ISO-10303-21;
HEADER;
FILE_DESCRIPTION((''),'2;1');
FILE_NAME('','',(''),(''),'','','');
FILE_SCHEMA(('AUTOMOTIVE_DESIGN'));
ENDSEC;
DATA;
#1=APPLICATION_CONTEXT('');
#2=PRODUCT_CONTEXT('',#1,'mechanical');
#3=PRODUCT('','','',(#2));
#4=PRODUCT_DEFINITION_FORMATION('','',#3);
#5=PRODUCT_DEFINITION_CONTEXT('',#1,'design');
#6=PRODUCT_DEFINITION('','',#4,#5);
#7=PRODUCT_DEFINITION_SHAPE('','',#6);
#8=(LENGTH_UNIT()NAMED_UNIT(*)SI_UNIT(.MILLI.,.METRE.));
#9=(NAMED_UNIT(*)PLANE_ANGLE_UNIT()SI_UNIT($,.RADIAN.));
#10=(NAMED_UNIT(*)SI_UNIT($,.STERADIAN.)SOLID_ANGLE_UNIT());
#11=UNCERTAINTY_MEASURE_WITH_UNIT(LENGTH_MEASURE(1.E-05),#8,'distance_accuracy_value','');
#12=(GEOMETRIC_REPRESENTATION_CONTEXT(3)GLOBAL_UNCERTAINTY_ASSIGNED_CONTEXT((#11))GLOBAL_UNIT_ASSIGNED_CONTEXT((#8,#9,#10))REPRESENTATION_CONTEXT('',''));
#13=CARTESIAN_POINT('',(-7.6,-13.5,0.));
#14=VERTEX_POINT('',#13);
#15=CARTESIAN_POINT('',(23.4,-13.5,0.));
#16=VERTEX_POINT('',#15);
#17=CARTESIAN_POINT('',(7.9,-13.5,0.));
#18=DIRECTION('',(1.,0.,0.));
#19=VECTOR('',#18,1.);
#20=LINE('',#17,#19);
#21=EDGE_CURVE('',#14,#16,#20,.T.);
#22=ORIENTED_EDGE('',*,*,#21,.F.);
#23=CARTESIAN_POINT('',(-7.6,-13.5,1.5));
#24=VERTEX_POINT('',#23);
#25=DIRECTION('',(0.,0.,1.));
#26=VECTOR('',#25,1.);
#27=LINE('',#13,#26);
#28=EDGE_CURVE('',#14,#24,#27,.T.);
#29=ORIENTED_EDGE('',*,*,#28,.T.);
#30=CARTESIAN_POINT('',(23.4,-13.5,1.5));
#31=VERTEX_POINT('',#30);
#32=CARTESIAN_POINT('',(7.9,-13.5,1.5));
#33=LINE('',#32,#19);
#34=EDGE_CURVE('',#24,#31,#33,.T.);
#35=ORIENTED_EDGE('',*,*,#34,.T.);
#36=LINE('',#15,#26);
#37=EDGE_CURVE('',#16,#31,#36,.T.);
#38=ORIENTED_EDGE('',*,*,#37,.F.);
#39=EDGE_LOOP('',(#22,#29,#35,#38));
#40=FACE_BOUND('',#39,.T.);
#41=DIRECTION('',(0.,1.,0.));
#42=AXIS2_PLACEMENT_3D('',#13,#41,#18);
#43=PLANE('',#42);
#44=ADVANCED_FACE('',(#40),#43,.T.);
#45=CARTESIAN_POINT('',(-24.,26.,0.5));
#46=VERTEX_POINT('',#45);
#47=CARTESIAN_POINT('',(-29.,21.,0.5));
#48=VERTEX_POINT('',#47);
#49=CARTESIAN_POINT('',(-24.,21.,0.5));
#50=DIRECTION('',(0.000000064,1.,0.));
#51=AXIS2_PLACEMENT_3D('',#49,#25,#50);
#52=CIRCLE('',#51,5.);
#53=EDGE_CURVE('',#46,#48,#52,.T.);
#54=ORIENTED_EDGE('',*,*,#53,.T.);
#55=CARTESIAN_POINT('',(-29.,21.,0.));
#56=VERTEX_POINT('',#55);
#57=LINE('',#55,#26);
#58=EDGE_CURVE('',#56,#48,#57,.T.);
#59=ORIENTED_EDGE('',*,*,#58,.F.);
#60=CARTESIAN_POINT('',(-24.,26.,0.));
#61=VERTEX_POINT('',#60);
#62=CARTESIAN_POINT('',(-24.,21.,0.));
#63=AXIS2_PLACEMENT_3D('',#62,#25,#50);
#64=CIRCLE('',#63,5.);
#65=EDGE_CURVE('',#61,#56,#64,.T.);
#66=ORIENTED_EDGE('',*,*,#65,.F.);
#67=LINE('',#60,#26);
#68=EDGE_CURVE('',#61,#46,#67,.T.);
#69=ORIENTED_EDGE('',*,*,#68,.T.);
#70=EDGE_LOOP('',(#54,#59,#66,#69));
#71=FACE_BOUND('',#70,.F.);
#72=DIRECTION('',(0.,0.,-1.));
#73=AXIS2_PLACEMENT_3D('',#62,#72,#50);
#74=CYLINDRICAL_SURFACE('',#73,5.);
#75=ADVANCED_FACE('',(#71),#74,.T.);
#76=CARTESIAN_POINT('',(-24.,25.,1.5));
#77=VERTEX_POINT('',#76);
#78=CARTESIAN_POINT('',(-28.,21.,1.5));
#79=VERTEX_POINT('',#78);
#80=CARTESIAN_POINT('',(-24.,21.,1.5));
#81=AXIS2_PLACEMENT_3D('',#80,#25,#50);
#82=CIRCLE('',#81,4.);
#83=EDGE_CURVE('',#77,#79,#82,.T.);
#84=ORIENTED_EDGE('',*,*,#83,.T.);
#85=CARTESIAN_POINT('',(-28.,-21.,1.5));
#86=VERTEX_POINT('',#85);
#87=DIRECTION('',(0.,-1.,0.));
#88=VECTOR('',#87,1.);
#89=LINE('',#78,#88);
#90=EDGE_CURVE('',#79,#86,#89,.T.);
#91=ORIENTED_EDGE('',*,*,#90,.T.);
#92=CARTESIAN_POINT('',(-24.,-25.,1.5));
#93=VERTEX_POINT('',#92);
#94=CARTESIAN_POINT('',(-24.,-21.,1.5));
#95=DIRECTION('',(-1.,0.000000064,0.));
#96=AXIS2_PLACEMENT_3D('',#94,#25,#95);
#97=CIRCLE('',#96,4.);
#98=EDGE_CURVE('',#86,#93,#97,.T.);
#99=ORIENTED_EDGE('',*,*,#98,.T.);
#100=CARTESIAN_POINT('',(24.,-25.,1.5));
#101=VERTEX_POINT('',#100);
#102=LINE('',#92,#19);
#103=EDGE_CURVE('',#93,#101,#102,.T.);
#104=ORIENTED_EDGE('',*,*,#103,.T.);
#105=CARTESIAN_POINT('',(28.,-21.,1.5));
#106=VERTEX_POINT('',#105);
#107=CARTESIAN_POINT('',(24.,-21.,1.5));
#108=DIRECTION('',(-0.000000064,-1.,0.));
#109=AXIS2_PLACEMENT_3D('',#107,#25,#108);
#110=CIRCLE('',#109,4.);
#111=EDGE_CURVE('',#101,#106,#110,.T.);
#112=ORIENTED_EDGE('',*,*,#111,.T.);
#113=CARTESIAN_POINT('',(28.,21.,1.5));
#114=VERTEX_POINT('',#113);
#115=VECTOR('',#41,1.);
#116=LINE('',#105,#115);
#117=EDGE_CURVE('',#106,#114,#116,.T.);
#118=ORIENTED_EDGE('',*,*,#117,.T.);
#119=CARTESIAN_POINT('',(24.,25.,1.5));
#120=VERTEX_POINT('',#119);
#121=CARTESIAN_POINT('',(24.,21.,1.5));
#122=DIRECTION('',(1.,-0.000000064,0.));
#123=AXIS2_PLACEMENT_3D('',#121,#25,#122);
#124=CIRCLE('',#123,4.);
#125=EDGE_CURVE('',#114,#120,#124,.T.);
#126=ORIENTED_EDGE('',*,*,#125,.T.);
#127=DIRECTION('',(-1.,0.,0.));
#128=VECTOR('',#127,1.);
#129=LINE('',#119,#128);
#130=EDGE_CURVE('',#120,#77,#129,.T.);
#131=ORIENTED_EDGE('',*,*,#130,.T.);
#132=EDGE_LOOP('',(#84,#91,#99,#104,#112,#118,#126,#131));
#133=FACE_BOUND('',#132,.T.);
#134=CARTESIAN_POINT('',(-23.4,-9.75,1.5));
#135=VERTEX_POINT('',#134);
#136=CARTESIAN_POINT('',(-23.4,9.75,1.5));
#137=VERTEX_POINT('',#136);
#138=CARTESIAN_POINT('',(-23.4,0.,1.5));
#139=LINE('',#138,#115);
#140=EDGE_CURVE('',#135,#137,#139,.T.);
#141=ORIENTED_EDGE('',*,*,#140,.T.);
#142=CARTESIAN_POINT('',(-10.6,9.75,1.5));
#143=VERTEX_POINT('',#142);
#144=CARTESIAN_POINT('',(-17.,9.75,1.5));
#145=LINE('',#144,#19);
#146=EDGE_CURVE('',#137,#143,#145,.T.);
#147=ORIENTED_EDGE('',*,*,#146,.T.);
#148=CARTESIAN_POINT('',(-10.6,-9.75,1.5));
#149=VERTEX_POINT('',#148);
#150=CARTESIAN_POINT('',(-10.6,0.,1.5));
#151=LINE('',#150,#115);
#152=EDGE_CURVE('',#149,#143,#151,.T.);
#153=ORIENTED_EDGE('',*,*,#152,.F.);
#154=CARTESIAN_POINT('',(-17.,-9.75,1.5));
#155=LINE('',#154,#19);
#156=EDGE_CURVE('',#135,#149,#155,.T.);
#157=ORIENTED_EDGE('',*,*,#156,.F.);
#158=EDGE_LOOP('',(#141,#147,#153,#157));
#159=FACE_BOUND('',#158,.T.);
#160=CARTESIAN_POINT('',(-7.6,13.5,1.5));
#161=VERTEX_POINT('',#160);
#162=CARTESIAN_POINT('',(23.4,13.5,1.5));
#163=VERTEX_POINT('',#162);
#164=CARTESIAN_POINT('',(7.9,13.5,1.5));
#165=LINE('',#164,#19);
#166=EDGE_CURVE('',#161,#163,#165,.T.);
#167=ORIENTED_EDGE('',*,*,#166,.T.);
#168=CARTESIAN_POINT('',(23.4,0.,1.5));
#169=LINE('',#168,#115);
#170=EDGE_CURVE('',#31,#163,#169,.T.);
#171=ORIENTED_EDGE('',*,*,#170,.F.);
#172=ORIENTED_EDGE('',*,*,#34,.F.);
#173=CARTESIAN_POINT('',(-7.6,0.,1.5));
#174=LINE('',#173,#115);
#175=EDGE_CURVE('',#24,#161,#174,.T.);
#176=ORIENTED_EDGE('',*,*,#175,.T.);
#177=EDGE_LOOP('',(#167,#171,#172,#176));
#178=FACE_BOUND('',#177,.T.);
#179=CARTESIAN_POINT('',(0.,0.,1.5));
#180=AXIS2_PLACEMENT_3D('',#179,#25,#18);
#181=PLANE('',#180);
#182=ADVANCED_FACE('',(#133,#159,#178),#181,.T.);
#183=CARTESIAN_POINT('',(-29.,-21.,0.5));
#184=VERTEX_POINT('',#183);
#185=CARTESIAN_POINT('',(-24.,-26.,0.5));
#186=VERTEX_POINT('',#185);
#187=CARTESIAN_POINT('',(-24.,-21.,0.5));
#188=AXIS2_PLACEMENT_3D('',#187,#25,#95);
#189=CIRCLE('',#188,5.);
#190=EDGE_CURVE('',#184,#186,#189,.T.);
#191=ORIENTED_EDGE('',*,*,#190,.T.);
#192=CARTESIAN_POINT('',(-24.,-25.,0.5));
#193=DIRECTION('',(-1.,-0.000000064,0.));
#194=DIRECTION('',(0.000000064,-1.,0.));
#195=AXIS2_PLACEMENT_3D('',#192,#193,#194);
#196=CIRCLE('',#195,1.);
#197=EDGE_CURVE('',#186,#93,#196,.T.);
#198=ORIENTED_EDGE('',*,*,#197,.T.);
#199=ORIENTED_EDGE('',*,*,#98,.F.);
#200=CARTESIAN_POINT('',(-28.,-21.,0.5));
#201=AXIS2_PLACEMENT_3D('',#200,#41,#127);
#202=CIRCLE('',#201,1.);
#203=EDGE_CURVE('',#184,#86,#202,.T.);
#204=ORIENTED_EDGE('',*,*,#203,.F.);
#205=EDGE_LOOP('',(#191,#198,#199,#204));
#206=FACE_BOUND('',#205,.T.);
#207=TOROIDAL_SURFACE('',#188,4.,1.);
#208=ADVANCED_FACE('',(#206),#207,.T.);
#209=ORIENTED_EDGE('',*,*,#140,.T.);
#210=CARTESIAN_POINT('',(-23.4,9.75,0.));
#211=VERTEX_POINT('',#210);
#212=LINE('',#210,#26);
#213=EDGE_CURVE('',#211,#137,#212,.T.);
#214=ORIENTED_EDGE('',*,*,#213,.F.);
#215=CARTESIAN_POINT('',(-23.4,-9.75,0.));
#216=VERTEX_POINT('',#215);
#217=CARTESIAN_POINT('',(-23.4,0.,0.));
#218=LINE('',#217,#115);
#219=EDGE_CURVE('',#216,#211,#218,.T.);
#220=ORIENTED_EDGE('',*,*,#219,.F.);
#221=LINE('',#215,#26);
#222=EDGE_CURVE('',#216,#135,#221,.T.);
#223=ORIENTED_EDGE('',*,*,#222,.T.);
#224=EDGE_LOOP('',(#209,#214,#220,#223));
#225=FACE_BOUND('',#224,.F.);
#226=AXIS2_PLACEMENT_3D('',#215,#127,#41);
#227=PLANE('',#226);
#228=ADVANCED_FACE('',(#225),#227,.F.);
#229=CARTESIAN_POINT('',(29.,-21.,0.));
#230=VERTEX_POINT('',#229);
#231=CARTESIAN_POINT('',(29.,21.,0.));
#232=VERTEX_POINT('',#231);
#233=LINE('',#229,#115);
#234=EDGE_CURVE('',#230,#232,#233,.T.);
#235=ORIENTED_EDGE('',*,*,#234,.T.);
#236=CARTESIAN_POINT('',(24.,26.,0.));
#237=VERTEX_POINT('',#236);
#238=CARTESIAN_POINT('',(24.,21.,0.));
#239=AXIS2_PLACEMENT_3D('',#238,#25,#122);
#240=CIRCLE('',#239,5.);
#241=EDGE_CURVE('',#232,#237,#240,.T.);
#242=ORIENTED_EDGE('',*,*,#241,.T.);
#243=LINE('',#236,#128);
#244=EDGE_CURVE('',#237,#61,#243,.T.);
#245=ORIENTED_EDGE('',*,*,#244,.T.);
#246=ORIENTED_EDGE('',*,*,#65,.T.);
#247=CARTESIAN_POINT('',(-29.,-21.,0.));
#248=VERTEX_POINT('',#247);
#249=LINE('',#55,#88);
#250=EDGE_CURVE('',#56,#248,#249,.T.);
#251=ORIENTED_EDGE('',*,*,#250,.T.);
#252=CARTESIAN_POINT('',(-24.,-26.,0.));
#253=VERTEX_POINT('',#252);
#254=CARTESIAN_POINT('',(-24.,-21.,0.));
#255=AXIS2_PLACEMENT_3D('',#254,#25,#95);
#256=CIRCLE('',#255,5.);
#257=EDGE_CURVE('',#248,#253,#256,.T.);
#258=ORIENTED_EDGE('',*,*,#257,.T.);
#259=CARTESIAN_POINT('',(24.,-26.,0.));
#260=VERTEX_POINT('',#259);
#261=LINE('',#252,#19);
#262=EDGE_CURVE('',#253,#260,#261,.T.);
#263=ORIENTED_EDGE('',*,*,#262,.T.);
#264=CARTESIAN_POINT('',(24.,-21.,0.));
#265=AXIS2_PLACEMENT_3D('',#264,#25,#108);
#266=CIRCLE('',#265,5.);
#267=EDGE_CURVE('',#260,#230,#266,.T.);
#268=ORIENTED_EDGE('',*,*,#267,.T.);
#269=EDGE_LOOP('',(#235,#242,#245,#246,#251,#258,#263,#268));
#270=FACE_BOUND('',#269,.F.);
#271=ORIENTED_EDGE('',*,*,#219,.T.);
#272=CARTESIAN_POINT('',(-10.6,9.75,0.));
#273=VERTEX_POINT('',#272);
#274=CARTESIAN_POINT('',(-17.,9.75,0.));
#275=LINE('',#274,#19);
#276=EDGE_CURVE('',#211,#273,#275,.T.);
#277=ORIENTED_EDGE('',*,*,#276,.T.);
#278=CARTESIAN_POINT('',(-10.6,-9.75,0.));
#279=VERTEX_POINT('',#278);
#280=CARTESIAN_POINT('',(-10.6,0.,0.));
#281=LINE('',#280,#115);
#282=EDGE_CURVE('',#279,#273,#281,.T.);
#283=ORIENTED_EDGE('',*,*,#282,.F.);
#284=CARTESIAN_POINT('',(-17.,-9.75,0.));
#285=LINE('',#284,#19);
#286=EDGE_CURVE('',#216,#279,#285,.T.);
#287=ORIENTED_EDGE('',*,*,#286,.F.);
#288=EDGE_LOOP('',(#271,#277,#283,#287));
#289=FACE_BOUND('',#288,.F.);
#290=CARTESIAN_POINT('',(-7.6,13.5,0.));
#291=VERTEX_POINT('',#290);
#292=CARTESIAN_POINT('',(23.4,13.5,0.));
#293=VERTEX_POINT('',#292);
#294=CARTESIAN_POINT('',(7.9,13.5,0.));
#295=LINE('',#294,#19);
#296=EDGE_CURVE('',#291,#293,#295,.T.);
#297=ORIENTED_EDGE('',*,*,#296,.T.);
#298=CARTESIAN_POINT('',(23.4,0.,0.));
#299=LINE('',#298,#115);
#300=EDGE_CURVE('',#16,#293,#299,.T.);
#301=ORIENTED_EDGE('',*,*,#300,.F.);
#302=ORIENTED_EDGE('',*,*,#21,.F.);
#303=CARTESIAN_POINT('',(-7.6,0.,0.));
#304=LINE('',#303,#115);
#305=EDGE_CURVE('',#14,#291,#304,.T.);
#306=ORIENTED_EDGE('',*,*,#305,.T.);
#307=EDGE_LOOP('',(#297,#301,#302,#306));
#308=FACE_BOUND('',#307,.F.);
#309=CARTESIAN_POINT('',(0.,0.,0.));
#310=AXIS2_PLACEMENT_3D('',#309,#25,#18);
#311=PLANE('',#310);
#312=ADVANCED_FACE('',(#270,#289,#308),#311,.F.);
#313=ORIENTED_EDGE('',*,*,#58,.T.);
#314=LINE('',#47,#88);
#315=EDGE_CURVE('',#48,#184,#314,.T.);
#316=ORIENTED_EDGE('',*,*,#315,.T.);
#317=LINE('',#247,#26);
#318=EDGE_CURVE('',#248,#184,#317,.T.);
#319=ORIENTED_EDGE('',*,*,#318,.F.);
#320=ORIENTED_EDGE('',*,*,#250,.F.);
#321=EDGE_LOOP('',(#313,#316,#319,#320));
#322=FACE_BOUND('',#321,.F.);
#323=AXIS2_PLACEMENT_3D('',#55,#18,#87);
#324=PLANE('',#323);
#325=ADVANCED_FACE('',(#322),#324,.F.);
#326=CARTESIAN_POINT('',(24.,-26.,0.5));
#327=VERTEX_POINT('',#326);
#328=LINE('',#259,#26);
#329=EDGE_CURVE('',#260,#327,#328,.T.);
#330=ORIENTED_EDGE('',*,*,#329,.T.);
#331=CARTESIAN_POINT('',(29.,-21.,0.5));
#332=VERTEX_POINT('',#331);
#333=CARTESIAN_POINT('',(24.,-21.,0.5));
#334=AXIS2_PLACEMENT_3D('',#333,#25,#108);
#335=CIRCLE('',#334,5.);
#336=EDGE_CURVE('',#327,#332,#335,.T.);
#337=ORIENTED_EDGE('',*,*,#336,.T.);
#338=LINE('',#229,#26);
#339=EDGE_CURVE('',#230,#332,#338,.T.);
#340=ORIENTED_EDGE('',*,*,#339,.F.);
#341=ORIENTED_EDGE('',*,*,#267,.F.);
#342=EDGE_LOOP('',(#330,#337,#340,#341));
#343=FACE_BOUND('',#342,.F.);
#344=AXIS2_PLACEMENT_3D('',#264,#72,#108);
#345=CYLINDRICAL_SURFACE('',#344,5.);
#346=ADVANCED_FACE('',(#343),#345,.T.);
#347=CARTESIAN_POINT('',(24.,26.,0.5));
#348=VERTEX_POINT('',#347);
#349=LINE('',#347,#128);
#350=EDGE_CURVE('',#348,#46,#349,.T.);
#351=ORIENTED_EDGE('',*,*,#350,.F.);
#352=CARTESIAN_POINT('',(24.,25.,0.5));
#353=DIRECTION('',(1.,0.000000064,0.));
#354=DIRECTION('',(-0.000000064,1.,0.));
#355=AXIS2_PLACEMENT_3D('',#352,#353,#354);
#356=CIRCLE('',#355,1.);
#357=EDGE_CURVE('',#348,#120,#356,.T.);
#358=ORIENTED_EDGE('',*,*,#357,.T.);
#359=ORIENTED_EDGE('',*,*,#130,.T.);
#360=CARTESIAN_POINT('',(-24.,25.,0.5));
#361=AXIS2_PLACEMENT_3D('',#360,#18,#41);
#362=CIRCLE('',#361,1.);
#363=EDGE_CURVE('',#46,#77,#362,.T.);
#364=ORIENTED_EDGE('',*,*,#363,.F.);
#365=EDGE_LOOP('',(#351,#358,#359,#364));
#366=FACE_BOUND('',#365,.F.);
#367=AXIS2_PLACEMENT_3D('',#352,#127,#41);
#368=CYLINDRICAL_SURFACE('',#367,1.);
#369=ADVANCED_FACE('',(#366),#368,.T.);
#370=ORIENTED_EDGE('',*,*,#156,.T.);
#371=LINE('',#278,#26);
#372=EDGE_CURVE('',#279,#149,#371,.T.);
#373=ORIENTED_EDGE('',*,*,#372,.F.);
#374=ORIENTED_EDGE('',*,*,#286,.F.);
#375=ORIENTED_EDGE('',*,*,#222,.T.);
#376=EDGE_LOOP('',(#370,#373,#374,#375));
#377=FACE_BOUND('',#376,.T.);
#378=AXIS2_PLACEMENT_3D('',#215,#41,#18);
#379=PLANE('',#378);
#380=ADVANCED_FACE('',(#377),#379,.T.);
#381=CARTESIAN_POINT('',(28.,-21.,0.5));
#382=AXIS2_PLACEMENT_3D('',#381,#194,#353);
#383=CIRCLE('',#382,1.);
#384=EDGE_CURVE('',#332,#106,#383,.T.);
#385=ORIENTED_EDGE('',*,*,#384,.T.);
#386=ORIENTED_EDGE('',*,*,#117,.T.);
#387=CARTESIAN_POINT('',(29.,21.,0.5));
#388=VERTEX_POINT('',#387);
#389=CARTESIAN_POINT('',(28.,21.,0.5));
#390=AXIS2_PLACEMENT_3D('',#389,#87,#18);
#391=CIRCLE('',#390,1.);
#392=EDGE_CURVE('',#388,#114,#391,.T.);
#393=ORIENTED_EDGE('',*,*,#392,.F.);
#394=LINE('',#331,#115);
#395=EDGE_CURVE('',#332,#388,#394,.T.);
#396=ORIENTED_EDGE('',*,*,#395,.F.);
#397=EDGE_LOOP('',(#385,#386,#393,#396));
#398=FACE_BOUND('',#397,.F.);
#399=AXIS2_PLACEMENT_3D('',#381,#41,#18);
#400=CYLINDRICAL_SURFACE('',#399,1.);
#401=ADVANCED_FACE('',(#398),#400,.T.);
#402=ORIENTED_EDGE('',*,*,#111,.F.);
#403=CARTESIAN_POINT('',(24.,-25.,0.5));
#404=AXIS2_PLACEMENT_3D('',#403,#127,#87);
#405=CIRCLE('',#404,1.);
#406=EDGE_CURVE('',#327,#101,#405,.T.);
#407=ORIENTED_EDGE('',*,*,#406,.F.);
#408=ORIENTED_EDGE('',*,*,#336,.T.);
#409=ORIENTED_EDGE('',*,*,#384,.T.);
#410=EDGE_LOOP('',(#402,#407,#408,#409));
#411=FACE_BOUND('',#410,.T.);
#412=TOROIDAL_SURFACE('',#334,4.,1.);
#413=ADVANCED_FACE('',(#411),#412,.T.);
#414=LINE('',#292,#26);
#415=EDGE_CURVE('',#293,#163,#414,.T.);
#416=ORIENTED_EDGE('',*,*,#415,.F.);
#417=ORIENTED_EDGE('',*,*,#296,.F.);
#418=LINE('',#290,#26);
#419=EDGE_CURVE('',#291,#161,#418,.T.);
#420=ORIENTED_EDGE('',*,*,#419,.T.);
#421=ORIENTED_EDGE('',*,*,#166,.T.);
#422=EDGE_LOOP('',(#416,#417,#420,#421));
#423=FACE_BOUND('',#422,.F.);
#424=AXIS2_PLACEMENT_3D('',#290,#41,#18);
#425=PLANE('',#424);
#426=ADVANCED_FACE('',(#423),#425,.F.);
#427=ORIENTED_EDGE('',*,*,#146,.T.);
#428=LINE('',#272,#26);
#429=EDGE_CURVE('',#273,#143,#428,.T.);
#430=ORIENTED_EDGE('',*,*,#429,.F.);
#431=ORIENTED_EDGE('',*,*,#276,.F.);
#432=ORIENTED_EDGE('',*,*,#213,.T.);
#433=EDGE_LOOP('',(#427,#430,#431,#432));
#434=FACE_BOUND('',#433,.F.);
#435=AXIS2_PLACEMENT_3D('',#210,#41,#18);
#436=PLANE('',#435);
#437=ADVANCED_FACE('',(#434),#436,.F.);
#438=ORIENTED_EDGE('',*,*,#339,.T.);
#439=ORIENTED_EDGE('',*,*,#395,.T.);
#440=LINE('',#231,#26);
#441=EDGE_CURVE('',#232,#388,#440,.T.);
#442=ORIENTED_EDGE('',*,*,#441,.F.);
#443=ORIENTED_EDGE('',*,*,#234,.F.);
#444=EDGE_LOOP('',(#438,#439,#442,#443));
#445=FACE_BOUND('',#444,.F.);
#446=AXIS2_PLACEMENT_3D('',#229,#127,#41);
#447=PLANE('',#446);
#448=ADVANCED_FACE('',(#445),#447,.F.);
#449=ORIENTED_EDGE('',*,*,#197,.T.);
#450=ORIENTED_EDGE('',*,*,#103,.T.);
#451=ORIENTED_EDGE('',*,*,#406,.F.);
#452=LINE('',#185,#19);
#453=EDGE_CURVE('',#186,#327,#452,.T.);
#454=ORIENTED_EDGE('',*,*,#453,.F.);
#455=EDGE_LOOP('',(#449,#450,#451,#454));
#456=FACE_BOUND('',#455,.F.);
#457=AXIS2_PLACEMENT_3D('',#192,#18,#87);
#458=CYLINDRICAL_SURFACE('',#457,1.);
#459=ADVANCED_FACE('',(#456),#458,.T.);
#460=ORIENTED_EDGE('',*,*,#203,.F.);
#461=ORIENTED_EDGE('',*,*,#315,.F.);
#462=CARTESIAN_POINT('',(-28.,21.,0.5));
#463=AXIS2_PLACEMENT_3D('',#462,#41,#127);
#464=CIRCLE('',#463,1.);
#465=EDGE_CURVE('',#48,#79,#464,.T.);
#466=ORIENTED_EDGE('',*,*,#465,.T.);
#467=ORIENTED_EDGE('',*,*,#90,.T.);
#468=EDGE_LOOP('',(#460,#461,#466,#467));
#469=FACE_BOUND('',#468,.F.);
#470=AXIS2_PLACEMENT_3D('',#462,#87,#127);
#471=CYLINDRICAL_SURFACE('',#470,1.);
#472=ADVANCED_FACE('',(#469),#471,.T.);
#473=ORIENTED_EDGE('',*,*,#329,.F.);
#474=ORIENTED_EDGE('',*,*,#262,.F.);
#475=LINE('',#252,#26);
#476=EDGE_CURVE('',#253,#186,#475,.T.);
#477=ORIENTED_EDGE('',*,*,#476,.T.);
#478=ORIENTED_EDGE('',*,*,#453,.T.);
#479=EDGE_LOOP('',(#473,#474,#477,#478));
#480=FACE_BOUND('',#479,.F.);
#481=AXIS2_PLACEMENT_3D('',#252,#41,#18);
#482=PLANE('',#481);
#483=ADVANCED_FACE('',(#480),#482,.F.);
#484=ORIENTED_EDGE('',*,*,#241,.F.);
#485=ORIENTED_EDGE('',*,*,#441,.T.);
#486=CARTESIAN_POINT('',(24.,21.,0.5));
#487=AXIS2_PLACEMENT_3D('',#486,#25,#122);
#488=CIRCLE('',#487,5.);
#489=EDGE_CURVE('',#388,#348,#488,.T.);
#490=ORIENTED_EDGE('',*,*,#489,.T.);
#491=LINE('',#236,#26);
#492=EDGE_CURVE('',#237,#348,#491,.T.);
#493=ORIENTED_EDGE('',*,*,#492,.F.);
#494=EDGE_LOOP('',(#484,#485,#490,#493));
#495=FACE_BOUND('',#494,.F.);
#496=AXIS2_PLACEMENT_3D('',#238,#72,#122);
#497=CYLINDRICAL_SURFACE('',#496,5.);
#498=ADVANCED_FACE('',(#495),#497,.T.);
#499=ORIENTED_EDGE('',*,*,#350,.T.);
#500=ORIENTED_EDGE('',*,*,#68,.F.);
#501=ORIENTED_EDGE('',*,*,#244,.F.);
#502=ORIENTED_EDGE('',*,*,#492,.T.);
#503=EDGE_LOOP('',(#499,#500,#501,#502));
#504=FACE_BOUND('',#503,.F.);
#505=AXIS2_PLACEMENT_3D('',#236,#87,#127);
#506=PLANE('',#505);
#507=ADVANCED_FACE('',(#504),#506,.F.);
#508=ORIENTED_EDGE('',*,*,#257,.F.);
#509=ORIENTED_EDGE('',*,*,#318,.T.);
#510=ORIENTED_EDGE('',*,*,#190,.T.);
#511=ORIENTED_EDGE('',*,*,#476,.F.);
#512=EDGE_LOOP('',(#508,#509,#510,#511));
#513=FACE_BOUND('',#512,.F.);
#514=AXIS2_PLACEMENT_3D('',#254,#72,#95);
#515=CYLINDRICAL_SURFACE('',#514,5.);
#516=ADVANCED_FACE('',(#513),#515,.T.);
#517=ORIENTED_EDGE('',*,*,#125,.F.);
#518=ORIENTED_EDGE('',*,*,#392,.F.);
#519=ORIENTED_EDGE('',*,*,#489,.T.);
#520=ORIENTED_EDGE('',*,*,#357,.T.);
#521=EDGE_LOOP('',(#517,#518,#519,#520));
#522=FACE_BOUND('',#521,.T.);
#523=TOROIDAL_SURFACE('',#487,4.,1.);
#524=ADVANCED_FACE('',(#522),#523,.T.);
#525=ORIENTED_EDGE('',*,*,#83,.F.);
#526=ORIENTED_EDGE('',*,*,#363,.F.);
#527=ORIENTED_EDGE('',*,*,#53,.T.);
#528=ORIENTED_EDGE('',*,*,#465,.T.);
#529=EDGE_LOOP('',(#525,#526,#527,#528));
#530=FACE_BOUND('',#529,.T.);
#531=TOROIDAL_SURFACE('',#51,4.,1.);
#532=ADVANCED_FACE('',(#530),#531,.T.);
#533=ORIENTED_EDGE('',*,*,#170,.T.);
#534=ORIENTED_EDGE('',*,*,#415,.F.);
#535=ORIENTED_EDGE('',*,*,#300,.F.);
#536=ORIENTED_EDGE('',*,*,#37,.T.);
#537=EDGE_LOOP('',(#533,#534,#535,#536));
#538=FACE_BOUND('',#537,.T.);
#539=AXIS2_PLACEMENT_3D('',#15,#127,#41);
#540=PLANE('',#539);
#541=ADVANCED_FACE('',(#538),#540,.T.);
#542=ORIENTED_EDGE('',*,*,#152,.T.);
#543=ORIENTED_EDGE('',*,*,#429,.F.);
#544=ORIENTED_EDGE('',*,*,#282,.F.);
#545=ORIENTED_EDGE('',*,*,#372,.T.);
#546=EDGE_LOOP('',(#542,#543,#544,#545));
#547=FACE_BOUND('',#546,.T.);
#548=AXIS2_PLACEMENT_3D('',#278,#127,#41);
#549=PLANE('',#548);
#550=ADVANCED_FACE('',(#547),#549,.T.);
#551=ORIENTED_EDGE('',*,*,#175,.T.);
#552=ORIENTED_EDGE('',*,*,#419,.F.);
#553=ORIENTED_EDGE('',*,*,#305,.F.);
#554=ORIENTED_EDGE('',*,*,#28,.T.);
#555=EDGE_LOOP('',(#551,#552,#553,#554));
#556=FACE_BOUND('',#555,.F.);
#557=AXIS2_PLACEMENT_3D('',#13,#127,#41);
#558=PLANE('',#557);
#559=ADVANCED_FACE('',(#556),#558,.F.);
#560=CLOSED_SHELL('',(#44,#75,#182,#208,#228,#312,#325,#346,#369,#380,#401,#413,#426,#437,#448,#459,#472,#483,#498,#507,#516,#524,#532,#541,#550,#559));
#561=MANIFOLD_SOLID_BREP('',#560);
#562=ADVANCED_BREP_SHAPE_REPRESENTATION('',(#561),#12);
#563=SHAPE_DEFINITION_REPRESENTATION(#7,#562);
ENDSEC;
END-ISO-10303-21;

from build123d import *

# Parameters (mm, degrees)
F0_W     = 12.8
F0_H     = 19.5
F0_W_2   = 31
F0_H_2   = 27
F1_DEPTH = 1.5
F2_R     = 1


with BuildPart() as f1:
    # F0 (on Top) → F1 (new body)
    with BuildSketch(Plane.XY):
        with BuildLine():
            Line((-24, -26), (24, -26))
            ThreePointArc((24, -26), (27.535534, -24.535534), (29, -21))
            Line((29, -21), (29, 21))
            ThreePointArc((29, 21), (27.535534, 24.535534), (24, 26))
            Line((24, 26), (-24, 26))
            ThreePointArc((-24, 26), (-27.535534, 24.535534), (-29, 21))
            Line((-29, 21), (-29, -21))
            ThreePointArc((-29, -21), (-27.535534, -24.535534), (-24, -26))
        make_face()
        with Locations((-17, 0)):
            Rectangle(F0_W, F0_H, mode=Mode.SUBTRACT)
        with Locations((7.9, 0)):
            Rectangle(F0_W_2, F0_H_2, mode=Mode.SUBTRACT)
    extrude(amount=F1_DEPTH)

    # F2
    f2_edges = [f1.edges().sort_by_distance(p)[0] for p in [
        (-29, 0, 1.5),
    ]]
    fillet(f2_edges, radius=F2_R)


solid = f1.part
